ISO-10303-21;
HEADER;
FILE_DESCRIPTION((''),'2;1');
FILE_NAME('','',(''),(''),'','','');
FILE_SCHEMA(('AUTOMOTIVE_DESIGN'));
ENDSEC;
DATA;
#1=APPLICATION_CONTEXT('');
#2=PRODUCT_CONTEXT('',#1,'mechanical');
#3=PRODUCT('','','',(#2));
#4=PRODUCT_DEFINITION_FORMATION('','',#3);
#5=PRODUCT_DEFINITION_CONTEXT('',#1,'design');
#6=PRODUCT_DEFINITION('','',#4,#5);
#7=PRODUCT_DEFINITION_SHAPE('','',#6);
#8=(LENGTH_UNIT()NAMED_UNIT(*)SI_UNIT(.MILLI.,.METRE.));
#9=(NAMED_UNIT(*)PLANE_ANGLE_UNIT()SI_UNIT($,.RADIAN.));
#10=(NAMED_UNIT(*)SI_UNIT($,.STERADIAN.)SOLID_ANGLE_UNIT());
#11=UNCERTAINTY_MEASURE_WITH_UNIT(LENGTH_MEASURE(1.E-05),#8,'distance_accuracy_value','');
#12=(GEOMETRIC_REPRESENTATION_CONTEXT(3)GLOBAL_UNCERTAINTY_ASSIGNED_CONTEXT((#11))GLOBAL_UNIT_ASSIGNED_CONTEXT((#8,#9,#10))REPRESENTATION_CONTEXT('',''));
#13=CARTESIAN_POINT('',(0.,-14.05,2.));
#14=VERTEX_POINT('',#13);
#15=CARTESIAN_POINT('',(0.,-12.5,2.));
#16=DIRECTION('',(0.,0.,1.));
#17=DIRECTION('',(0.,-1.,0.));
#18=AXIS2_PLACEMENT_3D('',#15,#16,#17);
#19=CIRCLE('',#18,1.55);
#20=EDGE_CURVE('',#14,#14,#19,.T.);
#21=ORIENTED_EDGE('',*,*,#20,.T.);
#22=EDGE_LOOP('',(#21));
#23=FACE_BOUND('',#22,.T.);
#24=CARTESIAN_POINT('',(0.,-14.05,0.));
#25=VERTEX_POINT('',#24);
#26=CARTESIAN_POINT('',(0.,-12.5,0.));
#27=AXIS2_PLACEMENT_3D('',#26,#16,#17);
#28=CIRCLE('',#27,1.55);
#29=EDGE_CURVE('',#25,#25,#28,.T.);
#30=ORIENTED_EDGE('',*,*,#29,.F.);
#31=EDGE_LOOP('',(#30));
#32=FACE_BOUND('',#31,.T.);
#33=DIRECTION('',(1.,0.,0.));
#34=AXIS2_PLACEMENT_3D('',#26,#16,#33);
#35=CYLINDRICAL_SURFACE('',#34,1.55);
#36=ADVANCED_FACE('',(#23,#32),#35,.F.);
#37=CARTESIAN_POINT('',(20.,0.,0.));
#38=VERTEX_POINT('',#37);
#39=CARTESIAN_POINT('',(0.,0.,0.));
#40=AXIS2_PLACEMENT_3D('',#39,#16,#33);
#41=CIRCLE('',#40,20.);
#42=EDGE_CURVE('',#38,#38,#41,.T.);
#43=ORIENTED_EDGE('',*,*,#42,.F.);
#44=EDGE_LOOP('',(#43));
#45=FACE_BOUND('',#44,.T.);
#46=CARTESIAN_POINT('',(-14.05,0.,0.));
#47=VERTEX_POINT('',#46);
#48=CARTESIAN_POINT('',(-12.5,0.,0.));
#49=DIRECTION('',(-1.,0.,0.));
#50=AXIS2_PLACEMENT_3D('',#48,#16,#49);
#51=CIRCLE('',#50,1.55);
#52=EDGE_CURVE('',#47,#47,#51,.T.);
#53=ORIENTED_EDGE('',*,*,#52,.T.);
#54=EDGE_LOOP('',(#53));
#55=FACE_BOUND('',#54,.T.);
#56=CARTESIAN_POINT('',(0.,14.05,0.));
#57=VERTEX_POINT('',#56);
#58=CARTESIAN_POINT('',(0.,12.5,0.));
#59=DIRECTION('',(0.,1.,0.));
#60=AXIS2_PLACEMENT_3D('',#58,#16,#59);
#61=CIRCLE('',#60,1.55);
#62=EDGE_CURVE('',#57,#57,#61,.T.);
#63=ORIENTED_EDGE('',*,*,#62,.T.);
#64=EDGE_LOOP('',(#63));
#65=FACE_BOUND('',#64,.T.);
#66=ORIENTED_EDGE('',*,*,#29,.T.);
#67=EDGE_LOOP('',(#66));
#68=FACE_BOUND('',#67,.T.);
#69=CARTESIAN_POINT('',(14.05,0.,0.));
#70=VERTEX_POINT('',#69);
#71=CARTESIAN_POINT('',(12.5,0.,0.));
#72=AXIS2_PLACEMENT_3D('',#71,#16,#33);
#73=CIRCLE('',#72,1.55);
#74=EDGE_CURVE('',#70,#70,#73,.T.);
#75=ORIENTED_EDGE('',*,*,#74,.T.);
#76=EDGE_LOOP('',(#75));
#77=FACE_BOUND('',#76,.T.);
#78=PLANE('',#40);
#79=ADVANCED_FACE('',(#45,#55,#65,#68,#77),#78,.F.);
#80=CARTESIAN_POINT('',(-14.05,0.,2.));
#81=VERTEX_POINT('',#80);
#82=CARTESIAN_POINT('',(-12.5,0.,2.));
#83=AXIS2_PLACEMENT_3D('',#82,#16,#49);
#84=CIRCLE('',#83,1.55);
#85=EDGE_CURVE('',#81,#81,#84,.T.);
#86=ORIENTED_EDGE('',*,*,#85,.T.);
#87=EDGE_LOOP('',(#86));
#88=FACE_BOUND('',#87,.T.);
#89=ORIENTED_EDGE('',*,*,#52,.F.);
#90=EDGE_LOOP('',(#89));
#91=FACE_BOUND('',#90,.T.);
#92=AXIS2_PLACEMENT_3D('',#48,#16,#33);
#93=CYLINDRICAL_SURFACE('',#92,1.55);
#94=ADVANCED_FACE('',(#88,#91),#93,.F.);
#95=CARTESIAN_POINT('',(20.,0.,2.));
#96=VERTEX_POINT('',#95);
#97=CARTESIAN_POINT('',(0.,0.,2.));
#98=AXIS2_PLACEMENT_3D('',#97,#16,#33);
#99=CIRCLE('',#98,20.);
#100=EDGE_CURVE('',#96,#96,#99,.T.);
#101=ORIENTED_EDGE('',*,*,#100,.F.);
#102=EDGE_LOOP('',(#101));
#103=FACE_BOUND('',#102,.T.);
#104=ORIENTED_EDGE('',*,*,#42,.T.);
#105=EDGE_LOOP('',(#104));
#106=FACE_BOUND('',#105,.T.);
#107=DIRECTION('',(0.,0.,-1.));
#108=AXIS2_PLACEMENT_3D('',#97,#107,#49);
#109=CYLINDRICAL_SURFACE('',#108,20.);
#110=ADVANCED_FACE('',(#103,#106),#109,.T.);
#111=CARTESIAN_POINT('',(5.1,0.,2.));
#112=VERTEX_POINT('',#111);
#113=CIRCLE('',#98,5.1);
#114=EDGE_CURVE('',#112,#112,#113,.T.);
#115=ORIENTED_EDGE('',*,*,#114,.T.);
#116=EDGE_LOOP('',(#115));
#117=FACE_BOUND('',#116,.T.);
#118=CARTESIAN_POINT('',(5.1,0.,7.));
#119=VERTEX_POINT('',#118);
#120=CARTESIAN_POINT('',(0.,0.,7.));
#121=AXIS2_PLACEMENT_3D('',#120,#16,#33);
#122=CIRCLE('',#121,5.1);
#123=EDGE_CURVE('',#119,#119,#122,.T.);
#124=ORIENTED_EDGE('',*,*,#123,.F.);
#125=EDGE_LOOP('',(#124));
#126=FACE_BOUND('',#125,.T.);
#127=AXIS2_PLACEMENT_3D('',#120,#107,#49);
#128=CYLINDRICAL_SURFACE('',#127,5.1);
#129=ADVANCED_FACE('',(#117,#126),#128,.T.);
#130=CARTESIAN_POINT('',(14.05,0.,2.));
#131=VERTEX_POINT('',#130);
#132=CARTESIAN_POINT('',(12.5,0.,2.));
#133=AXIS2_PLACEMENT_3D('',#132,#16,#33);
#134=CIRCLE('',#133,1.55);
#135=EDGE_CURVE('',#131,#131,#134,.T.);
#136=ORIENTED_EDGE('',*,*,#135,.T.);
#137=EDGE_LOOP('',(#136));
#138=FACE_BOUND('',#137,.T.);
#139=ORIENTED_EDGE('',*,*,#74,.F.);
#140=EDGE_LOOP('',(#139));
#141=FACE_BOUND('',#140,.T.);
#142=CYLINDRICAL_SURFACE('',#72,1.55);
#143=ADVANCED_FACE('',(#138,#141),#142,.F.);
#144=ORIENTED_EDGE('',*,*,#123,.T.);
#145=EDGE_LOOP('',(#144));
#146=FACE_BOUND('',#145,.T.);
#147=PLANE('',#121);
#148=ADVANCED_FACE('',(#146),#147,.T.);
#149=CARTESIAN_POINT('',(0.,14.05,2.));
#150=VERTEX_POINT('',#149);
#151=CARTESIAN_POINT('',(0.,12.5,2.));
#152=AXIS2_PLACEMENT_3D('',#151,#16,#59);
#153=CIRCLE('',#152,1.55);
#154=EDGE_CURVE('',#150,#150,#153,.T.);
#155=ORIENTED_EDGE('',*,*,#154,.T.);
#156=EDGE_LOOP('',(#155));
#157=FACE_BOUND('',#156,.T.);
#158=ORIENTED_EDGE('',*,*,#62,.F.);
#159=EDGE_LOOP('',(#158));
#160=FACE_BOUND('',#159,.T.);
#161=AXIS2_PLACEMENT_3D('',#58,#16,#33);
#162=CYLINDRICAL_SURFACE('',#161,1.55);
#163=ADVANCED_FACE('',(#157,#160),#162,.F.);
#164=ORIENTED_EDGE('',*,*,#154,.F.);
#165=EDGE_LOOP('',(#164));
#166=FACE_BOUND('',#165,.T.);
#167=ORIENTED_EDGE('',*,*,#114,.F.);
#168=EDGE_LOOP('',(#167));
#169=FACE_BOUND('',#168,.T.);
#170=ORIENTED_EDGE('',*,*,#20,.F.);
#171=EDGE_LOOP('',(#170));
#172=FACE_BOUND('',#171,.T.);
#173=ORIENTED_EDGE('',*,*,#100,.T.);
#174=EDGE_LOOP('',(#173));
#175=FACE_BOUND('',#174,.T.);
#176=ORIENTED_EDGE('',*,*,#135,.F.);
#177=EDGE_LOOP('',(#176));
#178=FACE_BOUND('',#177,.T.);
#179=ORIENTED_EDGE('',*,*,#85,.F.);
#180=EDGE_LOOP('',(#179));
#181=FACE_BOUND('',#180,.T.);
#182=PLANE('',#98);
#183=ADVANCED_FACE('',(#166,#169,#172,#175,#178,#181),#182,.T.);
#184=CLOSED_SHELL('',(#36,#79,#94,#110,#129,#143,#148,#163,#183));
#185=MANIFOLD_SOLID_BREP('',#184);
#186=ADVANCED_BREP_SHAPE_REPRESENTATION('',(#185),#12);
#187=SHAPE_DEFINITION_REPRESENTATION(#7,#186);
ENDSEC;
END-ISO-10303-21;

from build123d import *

# Parameters (mm, degrees)
ESBO_O1_R                = 20
RESSALTO_EXTRUS_O1_DEPTH = 2
ESBO_O2_R                = 5.1
RESSALTO_EXTRUS_O2_DEPTH = 5
ESBO_O3_R                = 1.55
CORTE_EXTRUS_O1_DEPTH    = 29.722813233
PADR_OCIRCULAR1_COUNT    = 4


with BuildPart() as part:
    # Esboço1 → Ressalto-extrusão1 (new body)
    with BuildSketch(Plane.XY):
        Circle(ESBO_O1_R)
    extrude(amount=RESSALTO_EXTRUS_O1_DEPTH)

    # Esboço2 → Ressalto-extrusão2 (add)
    with BuildSketch(Plane.XY.offset(2)):
        Circle(ESBO_O2_R)
    extrude(amount=RESSALTO_EXTRUS_O2_DEPTH)

    # Esboço3 → Corte-extrusão1 (cut, through all)
    with BuildSketch(Plane.XY.offset(2)):
        with Locations((12.5, 0)):
            Circle(ESBO_O3_R)
    corte_extrus_o1 = extrude(amount=-CORTE_EXTRUS_O1_DEPTH, mode=Mode.SUBTRACT)

    # PadrãoCircular1: Corte-extrusão1 ×4 about axis
    padr_ocircular1_axis = Axis((0, 0, 0), (0, 0, 1))
    for i in range(1, PADR_OCIRCULAR1_COUNT):
        add(corte_extrus_o1.rotate(padr_ocircular1_axis, i * 360 / PADR_OCIRCULAR1_COUNT), mode=Mode.SUBTRACT)


solid = part.part
